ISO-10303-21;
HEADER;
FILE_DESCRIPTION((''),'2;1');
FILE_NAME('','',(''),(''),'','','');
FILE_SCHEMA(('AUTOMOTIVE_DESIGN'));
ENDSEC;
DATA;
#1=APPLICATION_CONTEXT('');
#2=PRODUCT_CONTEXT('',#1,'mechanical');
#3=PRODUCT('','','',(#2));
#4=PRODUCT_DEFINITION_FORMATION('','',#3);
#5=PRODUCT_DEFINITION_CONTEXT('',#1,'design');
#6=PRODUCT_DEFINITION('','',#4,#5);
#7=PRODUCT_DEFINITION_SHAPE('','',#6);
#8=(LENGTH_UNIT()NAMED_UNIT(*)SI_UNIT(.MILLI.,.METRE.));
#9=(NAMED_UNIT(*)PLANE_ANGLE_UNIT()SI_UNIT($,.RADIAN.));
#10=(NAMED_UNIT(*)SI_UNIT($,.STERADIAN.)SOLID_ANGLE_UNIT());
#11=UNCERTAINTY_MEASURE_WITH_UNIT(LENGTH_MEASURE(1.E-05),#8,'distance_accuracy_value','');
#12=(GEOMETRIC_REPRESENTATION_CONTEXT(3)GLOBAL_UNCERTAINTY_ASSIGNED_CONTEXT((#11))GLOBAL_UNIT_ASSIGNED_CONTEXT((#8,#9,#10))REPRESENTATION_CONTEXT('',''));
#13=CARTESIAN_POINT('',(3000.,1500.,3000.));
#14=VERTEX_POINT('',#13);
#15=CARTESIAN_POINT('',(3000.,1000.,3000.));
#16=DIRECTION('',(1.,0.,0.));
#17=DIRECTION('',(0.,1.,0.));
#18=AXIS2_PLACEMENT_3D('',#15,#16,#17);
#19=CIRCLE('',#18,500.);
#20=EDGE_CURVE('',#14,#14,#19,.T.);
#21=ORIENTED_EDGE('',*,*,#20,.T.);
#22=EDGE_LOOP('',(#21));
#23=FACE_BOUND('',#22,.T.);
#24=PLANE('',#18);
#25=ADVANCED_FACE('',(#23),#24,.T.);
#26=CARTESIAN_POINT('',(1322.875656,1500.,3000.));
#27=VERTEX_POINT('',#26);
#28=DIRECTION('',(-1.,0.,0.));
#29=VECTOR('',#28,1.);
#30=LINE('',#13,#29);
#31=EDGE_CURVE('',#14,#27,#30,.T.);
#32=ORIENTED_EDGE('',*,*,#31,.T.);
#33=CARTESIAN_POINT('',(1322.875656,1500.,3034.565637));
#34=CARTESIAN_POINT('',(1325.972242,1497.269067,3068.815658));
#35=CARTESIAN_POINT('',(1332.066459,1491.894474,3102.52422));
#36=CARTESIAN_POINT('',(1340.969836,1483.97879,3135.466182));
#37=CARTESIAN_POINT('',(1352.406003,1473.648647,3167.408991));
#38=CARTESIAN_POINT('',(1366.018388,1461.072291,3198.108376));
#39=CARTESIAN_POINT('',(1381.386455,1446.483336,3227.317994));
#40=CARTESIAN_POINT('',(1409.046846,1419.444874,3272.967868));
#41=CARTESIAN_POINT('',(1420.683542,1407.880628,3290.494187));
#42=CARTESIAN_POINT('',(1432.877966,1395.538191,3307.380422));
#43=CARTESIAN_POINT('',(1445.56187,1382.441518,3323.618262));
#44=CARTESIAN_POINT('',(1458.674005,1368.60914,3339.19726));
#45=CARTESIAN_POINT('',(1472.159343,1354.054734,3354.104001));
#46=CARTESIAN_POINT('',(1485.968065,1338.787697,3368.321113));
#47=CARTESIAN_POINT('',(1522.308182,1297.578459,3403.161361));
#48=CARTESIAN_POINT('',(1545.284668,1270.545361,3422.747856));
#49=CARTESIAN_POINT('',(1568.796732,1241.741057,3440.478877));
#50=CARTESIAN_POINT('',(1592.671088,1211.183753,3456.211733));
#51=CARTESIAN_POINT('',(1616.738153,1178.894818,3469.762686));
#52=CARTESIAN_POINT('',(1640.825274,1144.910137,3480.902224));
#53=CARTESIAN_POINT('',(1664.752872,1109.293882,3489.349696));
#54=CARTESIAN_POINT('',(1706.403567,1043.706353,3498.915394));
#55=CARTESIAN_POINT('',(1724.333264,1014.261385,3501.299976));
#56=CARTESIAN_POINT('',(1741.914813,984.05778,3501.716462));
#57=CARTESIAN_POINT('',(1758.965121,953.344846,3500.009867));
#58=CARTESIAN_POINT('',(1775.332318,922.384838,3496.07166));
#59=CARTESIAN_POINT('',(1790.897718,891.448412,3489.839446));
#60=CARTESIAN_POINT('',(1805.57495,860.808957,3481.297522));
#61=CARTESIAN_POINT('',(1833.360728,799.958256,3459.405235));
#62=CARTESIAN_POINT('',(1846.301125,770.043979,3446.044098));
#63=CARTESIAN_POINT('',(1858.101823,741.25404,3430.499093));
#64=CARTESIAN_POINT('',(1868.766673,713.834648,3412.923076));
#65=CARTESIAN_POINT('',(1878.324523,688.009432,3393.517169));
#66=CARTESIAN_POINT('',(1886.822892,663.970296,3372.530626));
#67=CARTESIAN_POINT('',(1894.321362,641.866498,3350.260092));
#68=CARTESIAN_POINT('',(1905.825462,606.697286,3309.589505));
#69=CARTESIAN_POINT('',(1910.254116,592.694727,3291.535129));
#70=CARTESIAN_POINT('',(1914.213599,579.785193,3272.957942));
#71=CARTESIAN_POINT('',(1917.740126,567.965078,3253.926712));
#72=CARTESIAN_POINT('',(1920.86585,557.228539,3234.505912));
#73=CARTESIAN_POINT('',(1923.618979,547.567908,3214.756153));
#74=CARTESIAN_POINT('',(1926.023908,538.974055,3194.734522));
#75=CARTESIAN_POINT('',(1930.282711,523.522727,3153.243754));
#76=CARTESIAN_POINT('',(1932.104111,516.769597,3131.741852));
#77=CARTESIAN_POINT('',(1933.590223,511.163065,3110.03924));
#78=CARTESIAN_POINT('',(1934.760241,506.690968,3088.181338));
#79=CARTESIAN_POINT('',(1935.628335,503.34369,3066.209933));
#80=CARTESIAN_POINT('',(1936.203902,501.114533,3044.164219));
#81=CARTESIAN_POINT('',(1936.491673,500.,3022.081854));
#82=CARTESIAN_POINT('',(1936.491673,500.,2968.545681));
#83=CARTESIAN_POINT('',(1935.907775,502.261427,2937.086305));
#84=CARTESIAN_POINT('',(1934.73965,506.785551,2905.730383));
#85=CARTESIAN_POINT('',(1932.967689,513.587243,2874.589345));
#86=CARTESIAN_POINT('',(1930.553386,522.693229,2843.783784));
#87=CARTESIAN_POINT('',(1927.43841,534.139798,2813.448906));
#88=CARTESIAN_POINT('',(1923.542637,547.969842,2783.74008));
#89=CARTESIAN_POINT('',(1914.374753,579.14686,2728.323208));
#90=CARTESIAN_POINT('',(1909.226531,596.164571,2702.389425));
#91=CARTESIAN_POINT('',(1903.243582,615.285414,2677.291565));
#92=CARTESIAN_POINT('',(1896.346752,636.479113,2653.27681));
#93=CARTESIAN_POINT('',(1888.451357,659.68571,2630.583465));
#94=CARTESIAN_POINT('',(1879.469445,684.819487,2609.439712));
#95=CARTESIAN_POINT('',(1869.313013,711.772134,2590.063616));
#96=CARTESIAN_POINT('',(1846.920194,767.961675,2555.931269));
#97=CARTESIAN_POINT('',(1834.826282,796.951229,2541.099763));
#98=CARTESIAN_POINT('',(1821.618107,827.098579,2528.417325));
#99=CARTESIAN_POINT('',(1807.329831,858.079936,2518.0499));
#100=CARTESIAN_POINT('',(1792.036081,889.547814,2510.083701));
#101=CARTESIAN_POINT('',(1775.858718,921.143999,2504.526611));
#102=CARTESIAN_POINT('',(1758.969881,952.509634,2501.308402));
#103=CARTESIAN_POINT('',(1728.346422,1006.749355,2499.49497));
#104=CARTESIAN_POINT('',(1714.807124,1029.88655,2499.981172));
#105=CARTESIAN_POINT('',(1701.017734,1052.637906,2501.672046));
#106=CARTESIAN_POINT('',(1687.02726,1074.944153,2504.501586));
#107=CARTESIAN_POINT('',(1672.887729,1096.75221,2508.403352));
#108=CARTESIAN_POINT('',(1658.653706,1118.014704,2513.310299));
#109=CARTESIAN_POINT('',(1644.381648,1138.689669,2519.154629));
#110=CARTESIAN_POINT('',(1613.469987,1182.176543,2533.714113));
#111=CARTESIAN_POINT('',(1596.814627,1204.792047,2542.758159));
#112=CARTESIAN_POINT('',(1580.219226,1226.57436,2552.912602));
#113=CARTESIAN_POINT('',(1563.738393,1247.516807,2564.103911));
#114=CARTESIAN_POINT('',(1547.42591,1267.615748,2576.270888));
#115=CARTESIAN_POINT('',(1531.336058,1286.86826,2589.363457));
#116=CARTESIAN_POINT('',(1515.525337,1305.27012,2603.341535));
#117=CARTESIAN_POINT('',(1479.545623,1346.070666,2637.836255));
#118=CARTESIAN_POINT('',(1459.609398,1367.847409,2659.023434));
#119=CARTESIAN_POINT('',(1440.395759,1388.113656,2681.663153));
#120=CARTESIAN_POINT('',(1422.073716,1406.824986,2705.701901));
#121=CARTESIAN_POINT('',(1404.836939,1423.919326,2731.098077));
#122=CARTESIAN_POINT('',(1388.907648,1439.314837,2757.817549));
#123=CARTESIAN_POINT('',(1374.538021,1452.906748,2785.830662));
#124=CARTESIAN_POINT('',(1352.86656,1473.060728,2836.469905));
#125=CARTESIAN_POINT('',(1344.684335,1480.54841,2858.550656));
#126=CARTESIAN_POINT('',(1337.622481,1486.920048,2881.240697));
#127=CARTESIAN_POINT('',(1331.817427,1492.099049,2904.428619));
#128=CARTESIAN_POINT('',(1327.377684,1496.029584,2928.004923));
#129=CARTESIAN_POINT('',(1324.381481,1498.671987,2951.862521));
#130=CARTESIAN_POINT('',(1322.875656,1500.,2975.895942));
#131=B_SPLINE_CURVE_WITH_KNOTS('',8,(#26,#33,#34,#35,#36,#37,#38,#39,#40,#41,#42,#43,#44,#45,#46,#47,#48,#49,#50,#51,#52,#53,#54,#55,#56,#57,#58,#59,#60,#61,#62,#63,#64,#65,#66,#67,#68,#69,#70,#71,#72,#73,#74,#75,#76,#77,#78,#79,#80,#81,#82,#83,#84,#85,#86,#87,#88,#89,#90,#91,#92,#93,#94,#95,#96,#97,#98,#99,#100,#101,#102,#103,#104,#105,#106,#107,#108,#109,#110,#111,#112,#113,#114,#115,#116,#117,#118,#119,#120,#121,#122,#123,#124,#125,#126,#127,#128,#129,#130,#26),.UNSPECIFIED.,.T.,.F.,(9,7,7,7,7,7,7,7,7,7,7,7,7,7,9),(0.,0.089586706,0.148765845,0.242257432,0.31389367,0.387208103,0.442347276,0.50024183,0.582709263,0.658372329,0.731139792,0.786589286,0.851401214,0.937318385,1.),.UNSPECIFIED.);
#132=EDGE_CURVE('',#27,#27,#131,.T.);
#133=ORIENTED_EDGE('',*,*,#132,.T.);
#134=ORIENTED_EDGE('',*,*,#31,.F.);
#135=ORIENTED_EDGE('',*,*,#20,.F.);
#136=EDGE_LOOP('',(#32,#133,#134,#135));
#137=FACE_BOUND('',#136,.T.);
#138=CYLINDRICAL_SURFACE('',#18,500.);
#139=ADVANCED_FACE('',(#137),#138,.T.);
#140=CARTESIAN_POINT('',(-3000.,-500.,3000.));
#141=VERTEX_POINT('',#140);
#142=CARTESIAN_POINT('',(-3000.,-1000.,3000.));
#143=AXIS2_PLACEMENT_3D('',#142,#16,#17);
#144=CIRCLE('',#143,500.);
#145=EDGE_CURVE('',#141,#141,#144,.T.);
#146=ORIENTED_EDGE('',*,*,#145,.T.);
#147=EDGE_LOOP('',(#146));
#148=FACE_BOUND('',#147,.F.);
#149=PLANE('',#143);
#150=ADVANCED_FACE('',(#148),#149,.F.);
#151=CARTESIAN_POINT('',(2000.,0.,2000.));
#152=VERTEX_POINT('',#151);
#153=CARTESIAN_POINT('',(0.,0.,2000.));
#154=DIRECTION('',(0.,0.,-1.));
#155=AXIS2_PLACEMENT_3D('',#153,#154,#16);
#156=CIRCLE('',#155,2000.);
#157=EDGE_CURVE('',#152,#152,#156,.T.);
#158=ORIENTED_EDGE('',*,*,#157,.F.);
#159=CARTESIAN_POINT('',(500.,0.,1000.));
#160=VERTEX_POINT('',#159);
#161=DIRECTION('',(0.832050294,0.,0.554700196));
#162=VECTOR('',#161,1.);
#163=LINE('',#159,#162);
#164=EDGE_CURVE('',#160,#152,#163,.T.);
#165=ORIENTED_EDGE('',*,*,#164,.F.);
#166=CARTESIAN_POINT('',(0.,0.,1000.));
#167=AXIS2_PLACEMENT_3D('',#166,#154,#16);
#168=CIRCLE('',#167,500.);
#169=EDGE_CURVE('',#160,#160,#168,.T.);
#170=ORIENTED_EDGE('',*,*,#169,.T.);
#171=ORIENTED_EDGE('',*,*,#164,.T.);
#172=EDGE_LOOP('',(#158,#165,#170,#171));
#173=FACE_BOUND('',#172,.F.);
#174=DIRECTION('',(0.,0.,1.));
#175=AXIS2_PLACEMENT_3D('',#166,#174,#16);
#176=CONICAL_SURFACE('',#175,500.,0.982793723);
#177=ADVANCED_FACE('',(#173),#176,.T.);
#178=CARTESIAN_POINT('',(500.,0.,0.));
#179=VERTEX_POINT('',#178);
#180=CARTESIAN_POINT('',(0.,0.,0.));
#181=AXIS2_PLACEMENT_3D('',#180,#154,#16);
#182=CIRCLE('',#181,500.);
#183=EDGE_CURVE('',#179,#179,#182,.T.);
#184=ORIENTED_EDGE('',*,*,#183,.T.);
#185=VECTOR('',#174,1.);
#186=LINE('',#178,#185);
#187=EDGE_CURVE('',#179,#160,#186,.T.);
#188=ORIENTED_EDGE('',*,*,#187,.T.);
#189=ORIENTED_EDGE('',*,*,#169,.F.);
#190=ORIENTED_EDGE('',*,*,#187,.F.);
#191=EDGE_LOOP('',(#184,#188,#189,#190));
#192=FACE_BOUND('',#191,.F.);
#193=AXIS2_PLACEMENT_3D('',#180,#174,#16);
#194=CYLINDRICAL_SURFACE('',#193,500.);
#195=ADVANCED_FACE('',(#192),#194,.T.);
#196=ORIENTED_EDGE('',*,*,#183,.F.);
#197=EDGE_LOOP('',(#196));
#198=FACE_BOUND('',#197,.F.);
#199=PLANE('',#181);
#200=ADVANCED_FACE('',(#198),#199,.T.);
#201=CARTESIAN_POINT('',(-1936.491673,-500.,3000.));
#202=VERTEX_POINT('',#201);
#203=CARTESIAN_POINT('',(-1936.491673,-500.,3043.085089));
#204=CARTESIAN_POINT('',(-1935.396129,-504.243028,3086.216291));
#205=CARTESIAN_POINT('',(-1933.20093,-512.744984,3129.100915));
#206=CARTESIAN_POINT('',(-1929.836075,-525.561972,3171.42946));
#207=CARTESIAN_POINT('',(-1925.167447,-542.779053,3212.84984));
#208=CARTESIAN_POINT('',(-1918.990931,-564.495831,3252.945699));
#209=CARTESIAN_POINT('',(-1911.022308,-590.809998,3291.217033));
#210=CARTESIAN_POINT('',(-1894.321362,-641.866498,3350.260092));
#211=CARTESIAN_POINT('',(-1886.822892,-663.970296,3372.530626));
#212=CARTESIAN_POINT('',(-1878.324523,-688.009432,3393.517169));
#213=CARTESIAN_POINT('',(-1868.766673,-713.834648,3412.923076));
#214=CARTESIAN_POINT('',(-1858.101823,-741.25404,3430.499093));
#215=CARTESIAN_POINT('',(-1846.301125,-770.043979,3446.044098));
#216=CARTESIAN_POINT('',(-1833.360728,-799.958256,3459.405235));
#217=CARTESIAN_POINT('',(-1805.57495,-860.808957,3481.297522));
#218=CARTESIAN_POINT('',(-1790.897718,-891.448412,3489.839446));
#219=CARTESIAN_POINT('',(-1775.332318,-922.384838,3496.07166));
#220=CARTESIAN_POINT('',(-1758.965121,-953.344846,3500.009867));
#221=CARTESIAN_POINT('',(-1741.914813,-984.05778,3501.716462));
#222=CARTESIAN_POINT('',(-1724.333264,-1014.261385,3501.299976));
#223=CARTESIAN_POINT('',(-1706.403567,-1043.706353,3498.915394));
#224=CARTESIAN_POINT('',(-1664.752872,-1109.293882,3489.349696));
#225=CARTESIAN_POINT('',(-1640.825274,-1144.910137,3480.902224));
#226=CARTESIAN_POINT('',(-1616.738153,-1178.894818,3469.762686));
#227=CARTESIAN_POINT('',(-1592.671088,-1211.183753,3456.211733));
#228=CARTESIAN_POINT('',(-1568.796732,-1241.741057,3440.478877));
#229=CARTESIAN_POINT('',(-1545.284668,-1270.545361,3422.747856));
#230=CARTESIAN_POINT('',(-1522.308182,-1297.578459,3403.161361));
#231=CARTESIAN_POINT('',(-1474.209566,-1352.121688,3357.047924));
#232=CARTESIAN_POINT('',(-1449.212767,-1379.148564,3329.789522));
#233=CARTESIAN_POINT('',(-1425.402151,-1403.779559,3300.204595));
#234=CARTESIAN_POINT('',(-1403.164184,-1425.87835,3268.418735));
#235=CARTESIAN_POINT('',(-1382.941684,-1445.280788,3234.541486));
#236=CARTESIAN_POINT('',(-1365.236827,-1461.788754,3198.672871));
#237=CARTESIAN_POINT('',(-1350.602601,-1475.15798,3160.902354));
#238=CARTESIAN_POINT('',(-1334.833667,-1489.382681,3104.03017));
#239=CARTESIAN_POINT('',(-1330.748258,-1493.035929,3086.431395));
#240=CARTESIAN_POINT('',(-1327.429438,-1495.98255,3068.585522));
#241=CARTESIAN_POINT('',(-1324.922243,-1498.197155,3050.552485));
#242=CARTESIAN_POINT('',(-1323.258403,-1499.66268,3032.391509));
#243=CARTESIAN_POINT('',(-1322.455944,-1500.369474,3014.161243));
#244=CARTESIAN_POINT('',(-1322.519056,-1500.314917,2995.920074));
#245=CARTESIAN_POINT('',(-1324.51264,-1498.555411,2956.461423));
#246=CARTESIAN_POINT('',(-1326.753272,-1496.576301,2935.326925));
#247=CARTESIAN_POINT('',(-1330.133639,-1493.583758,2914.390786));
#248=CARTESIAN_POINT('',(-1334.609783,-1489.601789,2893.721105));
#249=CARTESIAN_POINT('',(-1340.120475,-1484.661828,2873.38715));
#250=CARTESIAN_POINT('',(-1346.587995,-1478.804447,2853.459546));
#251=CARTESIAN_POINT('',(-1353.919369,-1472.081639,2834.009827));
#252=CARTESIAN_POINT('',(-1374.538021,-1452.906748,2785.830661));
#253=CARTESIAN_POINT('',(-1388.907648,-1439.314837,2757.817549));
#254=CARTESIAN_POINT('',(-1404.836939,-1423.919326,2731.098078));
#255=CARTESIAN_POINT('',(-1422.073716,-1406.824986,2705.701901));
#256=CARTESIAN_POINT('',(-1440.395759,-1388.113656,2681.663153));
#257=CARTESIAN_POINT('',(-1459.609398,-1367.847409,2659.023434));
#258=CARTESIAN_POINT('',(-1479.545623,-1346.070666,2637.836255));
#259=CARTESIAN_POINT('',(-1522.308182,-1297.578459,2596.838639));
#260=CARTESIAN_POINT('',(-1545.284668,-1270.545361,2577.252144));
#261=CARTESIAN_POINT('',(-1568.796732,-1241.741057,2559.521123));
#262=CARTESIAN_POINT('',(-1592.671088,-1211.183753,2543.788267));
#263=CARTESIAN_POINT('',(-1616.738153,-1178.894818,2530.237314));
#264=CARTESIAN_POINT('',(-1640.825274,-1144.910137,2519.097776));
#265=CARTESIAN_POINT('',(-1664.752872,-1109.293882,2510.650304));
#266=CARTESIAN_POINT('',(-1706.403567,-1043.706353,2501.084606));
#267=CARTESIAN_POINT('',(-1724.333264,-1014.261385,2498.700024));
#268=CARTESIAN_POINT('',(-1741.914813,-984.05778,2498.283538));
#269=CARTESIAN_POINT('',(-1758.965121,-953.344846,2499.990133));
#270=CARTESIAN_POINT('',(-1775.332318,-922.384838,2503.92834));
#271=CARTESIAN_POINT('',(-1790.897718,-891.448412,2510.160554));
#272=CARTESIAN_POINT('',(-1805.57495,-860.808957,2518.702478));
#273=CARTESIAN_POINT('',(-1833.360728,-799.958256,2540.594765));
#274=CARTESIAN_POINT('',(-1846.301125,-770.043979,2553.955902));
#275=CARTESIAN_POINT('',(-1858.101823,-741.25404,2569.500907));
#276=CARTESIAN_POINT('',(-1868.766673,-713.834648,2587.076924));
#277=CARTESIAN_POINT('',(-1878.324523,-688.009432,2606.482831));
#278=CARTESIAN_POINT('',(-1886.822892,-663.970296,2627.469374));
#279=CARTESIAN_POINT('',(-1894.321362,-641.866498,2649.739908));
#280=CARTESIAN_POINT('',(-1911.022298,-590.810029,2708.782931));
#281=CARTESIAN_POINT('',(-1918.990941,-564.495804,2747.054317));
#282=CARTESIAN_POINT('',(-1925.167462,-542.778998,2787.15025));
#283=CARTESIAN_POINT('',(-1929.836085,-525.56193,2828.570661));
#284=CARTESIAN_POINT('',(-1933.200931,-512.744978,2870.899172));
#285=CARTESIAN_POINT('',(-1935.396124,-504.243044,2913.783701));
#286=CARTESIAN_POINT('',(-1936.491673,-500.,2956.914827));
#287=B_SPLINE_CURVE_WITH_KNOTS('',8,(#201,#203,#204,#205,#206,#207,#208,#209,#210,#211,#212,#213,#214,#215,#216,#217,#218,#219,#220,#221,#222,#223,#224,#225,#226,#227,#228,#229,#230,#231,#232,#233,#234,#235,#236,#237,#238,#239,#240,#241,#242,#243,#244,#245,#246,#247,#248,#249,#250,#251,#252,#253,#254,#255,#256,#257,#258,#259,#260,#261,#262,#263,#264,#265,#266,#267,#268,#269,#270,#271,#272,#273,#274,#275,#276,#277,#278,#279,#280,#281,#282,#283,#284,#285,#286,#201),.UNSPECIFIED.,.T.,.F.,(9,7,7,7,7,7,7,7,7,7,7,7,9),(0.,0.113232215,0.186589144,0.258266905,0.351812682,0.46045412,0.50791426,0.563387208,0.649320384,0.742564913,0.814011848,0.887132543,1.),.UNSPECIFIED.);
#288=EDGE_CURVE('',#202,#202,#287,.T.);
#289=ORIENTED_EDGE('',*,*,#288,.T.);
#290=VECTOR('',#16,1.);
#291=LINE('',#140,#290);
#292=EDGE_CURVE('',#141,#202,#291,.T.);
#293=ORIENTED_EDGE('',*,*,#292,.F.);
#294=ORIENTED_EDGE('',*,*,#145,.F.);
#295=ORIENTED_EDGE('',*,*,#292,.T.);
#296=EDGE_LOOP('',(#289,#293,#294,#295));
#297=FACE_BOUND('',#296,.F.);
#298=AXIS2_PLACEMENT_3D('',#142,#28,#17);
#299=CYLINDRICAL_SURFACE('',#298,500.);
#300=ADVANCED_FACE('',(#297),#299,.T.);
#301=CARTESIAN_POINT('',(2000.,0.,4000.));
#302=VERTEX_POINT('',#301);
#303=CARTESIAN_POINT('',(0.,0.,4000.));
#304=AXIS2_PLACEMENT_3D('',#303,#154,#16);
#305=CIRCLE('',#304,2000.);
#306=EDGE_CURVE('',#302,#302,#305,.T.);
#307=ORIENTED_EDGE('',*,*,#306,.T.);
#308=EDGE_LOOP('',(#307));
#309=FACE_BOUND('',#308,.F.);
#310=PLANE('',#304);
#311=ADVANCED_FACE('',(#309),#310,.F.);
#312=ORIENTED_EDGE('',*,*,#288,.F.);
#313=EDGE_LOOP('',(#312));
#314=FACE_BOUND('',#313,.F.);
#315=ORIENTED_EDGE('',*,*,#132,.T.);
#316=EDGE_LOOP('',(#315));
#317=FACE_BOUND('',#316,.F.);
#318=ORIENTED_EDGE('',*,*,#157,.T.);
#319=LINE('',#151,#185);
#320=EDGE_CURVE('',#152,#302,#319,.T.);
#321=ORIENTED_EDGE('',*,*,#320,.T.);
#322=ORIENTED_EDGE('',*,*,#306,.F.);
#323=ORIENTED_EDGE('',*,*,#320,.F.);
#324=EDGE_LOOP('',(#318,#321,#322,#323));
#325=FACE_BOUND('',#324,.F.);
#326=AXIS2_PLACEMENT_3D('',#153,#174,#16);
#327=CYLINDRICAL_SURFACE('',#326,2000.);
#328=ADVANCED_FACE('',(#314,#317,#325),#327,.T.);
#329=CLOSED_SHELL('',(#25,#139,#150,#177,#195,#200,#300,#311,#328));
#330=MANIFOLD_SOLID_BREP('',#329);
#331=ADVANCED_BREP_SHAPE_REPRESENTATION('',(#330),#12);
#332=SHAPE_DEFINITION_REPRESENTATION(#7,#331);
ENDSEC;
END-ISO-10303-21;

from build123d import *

# Parameters (mm, degrees)
F3_R = 500
F6_R = 500


with BuildPart() as f1:
    # F0 (on Front) → F1 (revolve)
    with BuildSketch(Plane.XZ):
        Polygon((0, 4000), (0, 0), (500, 0), (500, 1000), (2000, 2000), (2000, 4000), align=None)
    revolve(axis=Axis((0, 0, 2000), (0, 0, -1)))

    # F3 (on offset) → F4 (join, up to the next surface of F1)
    with BuildSketch(Plane.YZ.offset(3000)):
        with Locations((1000, 3000)):
            Circle(F3_R)
    extrude(until=Until.NEXT, dir=(-1, 0, 0))

    # F6 (on offset) → F7 (join, up to the next surface of F1)
    with BuildSketch(Plane.YZ.offset(-3000)):
        with Locations((-1000, 3000)):
            Circle(F6_R)
    extrude(until=Until.NEXT)


solid = f1.part
